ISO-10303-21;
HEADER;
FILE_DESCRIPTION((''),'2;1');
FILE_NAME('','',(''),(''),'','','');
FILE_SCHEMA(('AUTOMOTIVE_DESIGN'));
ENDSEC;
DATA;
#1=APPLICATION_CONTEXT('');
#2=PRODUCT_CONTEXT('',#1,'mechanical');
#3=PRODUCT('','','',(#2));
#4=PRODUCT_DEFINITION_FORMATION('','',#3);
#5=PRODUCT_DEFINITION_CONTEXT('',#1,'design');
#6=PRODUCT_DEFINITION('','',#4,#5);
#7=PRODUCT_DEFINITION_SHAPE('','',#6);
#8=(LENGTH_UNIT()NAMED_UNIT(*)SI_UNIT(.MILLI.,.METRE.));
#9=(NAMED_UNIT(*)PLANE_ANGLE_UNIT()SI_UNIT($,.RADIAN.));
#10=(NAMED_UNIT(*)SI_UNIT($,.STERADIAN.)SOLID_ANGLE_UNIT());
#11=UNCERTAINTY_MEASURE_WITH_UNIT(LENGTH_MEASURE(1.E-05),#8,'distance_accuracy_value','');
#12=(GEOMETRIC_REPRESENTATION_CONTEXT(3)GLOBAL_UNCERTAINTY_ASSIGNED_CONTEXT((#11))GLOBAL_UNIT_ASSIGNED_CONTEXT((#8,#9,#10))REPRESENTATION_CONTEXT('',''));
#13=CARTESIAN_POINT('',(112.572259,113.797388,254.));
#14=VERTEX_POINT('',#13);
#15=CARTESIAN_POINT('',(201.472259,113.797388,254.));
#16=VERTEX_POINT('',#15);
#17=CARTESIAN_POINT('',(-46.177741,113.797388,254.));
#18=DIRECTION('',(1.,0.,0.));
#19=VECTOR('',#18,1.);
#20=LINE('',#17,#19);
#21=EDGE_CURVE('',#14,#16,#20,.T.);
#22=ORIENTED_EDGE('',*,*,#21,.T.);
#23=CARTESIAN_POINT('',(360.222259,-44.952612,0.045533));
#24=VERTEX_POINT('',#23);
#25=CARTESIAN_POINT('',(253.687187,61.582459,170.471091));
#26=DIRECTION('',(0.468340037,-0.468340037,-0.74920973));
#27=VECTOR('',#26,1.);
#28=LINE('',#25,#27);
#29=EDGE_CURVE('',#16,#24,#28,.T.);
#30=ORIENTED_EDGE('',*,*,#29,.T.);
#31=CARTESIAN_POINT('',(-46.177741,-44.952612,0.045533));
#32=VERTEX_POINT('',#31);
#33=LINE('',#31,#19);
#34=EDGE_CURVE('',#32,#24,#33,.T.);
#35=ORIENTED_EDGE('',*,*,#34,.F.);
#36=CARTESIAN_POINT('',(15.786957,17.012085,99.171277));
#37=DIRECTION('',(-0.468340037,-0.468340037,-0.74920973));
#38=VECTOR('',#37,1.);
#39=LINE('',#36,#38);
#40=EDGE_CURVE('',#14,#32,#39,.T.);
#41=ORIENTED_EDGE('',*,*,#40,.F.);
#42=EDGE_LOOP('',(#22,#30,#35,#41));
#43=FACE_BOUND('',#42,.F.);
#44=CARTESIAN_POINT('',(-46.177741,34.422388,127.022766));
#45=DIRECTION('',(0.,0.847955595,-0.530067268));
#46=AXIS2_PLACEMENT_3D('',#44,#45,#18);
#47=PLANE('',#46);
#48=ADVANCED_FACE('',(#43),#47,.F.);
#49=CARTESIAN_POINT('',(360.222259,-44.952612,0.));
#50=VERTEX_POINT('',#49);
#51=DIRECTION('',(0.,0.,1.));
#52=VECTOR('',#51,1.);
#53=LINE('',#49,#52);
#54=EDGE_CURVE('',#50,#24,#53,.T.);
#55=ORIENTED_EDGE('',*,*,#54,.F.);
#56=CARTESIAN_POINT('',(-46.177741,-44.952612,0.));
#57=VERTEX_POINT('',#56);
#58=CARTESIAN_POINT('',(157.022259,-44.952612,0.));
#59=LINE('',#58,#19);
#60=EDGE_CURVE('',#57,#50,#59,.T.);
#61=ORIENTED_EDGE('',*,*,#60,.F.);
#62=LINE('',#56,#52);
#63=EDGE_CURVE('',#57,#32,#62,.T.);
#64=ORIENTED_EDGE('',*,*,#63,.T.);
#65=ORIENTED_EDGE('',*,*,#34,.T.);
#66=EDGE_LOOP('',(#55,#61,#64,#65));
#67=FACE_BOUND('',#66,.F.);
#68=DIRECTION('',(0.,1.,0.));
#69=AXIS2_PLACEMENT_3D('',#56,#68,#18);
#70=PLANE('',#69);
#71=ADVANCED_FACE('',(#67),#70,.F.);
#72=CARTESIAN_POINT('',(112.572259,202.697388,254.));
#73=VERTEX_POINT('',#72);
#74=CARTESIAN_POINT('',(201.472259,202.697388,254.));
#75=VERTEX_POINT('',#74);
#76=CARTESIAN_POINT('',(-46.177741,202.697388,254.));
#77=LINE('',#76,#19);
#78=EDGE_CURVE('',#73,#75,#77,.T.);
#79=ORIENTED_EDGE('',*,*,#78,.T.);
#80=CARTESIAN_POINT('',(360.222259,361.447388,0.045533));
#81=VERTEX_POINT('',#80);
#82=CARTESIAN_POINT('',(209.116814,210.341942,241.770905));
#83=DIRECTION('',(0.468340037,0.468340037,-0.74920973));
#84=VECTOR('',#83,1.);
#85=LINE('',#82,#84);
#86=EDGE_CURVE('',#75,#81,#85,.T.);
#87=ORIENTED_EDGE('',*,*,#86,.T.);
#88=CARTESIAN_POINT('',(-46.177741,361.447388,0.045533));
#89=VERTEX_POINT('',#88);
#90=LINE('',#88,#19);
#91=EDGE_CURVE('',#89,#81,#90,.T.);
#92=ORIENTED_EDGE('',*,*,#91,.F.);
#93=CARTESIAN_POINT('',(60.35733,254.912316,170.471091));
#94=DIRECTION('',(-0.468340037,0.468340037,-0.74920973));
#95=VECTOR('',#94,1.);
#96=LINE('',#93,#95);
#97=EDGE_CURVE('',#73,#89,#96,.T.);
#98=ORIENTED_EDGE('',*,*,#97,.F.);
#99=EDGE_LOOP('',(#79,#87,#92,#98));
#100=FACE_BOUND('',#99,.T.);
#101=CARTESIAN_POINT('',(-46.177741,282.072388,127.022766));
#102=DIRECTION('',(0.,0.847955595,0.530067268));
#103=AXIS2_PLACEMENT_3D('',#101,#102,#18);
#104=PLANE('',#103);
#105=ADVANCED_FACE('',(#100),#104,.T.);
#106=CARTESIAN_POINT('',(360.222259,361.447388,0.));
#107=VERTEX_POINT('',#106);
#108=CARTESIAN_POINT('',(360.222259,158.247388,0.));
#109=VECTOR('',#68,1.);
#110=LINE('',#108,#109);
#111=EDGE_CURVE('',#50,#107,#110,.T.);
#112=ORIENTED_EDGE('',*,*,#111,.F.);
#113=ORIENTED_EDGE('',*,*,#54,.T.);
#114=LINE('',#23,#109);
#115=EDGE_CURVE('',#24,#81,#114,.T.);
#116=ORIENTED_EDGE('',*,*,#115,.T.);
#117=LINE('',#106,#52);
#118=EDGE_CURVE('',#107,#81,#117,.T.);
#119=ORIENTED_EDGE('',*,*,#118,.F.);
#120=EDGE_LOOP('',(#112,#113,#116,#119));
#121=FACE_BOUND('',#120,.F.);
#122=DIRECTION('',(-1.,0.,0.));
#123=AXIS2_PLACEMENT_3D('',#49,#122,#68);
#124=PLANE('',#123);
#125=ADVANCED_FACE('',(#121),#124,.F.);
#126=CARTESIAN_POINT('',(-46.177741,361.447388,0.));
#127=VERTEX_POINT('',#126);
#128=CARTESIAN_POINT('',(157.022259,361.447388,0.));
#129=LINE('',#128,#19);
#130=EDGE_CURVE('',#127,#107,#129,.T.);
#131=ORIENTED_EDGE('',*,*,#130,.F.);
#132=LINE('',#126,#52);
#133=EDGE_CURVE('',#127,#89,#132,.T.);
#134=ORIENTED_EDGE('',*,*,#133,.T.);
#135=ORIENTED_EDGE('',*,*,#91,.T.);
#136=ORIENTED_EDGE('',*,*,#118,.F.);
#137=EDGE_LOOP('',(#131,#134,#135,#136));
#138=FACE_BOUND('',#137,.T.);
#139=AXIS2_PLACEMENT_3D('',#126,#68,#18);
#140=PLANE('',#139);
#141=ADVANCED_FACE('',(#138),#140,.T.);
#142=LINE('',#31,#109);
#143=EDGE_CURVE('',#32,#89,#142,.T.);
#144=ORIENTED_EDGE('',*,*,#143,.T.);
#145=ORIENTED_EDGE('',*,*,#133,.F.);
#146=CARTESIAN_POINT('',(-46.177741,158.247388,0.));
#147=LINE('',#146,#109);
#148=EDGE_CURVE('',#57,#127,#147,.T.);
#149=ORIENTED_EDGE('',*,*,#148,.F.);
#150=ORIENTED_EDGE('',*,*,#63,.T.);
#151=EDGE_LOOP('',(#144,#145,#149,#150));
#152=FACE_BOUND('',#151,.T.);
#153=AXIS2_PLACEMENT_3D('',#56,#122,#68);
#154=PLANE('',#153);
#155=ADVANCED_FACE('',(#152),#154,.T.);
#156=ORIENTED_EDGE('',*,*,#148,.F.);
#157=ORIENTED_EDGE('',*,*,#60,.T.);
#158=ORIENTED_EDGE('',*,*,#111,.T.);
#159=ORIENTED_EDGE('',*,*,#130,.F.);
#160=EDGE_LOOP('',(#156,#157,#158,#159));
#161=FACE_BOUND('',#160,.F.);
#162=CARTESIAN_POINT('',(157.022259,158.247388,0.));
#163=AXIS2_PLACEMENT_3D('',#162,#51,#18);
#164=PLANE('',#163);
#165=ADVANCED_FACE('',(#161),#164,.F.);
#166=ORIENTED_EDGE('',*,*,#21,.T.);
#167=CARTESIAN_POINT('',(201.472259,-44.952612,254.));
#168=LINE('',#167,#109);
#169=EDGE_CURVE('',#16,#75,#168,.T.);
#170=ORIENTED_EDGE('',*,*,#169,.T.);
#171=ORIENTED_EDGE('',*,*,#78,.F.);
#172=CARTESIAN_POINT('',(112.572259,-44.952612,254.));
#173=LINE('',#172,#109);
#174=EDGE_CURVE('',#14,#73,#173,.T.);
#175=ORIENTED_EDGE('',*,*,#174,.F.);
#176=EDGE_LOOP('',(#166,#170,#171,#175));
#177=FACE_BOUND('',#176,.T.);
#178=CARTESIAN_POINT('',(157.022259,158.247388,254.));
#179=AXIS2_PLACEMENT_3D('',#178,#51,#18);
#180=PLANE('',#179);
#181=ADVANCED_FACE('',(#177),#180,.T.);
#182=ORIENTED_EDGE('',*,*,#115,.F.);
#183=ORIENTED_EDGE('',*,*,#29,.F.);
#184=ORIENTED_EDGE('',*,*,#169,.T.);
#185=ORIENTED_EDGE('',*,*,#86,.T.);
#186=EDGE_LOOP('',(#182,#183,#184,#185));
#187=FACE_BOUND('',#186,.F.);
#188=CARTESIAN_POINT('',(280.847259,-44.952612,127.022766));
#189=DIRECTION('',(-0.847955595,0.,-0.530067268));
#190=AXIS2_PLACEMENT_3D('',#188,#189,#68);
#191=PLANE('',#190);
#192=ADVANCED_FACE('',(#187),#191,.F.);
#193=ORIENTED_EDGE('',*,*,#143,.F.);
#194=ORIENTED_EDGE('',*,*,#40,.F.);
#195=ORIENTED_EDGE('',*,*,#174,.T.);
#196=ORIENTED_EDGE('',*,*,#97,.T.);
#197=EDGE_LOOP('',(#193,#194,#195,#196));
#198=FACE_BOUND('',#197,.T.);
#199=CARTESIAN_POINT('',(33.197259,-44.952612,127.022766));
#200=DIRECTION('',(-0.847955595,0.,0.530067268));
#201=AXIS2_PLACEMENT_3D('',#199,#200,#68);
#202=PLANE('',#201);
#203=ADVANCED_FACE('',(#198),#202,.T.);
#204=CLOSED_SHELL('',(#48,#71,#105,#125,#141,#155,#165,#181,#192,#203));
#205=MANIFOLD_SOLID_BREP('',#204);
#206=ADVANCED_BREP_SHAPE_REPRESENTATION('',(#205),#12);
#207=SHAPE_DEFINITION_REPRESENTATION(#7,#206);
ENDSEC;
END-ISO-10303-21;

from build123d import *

# Parameters (mm, degrees)
F0_W     = 406.4
F0_H     = 406.4
F1_DEPTH = 254
F2_SIZE2 = 253.9544670893
F2_SIZE  = 158.75


with BuildPart() as f1:
    # F0 (on Top) → F1 (new body)
    with BuildSketch(Plane.XY):
        with Locations((157.0222588599, 158.2473876297)):
            Rectangle(F0_W, F0_H)
    extrude(amount=F1_DEPTH)

    # F2
    f2_edges = [f1.edges().sort_by_distance(p)[0] for p in [
        (-46.177741, 158.247388, 254),
        (157.022259, 361.447388, 254),
        (360.222259, 158.247388, 254),
        (157.022259, -44.952612, 254),
    ]]
    f2_side = f1.faces().sort_by_distance((157.022259, 158.247388, 254))[0]
    chamfer(f2_edges, length=F2_SIZE, length2=F2_SIZE2, reference=f2_side)


solid = f1.part
